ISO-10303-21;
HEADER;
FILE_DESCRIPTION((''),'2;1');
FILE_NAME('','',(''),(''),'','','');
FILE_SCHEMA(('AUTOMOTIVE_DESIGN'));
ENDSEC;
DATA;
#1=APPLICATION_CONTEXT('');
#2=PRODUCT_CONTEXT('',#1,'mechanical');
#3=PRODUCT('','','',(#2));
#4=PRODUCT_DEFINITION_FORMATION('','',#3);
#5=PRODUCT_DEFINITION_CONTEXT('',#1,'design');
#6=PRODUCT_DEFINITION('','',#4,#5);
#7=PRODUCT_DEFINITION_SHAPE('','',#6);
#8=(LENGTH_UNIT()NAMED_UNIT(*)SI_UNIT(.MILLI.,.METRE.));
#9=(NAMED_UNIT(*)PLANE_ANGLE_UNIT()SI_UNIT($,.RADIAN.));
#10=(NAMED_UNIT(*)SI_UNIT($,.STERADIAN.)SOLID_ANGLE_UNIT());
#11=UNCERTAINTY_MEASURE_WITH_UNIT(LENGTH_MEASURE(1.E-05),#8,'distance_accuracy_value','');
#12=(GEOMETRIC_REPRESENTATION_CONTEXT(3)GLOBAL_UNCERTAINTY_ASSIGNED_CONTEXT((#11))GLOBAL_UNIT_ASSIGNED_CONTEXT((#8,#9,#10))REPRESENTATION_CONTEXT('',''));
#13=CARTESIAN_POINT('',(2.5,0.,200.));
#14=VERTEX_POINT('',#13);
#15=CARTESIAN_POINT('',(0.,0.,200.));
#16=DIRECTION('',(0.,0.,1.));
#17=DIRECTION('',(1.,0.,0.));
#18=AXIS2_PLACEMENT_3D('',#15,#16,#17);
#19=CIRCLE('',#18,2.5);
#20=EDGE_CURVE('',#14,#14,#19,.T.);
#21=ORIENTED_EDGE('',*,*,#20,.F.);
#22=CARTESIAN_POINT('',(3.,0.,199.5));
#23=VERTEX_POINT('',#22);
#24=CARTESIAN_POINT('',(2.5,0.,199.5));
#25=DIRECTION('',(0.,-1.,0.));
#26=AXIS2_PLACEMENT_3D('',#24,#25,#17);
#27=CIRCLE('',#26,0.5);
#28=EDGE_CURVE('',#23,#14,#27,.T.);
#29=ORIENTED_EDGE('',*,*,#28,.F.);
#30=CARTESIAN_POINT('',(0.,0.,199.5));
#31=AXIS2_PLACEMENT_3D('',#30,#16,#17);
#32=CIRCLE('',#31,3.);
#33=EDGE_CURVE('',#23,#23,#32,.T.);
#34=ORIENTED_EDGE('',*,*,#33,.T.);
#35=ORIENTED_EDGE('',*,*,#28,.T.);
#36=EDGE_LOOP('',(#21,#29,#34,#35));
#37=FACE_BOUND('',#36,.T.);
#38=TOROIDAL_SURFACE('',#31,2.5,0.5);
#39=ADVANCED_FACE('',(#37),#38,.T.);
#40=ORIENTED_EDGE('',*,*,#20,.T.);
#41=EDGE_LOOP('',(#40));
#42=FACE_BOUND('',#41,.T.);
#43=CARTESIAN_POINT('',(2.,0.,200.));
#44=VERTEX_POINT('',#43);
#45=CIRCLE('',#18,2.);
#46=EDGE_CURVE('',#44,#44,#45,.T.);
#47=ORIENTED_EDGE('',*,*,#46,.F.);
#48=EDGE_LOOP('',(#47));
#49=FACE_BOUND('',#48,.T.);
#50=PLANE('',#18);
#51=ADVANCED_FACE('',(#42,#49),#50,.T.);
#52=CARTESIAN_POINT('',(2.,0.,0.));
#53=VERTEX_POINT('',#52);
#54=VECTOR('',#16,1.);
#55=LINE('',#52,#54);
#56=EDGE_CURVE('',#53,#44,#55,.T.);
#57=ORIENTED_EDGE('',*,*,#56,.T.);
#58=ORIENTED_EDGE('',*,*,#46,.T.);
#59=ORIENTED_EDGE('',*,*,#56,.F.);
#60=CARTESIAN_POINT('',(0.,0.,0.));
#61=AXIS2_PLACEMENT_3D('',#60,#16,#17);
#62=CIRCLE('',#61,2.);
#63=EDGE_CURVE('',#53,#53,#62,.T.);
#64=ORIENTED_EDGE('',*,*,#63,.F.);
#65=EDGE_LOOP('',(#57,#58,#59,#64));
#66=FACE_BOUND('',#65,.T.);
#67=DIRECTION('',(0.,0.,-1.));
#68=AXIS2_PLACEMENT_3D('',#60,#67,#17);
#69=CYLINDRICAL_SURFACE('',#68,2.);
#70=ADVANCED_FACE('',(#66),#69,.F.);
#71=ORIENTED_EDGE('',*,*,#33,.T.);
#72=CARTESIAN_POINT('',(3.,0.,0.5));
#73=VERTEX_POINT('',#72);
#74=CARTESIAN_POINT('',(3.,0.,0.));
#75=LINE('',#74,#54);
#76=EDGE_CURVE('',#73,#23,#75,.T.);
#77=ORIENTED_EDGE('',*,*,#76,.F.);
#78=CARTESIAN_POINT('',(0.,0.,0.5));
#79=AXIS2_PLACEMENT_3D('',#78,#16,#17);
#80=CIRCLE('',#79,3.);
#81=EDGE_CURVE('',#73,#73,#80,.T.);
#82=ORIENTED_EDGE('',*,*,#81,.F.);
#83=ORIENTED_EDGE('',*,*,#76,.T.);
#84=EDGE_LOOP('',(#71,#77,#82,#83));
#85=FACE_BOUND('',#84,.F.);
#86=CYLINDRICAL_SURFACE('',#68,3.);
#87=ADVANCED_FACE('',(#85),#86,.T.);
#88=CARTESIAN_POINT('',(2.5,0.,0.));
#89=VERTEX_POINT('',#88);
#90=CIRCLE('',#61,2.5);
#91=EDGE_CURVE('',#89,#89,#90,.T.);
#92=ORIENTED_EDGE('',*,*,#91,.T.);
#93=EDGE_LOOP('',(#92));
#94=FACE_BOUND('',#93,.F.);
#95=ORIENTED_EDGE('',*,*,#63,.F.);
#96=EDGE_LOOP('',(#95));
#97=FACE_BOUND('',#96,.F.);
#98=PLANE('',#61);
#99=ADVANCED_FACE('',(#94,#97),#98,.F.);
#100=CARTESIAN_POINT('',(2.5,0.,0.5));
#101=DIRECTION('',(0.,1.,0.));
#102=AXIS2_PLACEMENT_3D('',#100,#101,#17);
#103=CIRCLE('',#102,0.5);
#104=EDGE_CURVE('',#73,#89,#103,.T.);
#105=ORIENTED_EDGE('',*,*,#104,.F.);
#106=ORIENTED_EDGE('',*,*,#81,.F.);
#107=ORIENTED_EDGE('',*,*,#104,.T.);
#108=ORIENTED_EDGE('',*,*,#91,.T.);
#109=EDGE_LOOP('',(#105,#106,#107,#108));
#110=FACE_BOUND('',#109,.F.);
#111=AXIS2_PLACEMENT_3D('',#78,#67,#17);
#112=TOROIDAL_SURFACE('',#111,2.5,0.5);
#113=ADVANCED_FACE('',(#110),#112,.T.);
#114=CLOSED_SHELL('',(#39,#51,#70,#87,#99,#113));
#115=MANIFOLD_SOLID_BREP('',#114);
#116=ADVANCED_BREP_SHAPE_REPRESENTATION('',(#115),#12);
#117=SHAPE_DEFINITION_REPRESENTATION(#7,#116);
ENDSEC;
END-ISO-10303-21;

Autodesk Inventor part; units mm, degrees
ref_plane "YZ Plane" through (0, 0, 0) normal (1, 0, 0) x (0, 1, 0)
ref_plane "XZ Plane" through (0, 0, 0) normal (0, 1, 0) x (-1, 0, 0)
ref_plane "XY Plane" through (0, 0, 0) normal (0, 0, 1) x (1, 0, 0)
sketch "Sketch3" plane through (0, 0, 0) normal (0, 0, 1) x (1, 0, 0)
  circle A0 centre (0, 0) radius 3
  circle A1 centre (0, 0) radius 2
  dimension "d10" = 4
  dimension "d11" = 6
extrude "Extrusion1" add sketch "Sketch3" along normal blind 200
thread "Thread2" size "M4x0.7" class "6H" standard "ISO Metric profile" length 10
thread "Thread3" size "M4x0.7" class "6H" standard "ISO Metric profile" length 10
fillet "Fillet1" radius 0.5 2 edges at (-3, 0, 0) (-3, 0, 200)
properties part number "P046_AxeCouvercleFretté"
